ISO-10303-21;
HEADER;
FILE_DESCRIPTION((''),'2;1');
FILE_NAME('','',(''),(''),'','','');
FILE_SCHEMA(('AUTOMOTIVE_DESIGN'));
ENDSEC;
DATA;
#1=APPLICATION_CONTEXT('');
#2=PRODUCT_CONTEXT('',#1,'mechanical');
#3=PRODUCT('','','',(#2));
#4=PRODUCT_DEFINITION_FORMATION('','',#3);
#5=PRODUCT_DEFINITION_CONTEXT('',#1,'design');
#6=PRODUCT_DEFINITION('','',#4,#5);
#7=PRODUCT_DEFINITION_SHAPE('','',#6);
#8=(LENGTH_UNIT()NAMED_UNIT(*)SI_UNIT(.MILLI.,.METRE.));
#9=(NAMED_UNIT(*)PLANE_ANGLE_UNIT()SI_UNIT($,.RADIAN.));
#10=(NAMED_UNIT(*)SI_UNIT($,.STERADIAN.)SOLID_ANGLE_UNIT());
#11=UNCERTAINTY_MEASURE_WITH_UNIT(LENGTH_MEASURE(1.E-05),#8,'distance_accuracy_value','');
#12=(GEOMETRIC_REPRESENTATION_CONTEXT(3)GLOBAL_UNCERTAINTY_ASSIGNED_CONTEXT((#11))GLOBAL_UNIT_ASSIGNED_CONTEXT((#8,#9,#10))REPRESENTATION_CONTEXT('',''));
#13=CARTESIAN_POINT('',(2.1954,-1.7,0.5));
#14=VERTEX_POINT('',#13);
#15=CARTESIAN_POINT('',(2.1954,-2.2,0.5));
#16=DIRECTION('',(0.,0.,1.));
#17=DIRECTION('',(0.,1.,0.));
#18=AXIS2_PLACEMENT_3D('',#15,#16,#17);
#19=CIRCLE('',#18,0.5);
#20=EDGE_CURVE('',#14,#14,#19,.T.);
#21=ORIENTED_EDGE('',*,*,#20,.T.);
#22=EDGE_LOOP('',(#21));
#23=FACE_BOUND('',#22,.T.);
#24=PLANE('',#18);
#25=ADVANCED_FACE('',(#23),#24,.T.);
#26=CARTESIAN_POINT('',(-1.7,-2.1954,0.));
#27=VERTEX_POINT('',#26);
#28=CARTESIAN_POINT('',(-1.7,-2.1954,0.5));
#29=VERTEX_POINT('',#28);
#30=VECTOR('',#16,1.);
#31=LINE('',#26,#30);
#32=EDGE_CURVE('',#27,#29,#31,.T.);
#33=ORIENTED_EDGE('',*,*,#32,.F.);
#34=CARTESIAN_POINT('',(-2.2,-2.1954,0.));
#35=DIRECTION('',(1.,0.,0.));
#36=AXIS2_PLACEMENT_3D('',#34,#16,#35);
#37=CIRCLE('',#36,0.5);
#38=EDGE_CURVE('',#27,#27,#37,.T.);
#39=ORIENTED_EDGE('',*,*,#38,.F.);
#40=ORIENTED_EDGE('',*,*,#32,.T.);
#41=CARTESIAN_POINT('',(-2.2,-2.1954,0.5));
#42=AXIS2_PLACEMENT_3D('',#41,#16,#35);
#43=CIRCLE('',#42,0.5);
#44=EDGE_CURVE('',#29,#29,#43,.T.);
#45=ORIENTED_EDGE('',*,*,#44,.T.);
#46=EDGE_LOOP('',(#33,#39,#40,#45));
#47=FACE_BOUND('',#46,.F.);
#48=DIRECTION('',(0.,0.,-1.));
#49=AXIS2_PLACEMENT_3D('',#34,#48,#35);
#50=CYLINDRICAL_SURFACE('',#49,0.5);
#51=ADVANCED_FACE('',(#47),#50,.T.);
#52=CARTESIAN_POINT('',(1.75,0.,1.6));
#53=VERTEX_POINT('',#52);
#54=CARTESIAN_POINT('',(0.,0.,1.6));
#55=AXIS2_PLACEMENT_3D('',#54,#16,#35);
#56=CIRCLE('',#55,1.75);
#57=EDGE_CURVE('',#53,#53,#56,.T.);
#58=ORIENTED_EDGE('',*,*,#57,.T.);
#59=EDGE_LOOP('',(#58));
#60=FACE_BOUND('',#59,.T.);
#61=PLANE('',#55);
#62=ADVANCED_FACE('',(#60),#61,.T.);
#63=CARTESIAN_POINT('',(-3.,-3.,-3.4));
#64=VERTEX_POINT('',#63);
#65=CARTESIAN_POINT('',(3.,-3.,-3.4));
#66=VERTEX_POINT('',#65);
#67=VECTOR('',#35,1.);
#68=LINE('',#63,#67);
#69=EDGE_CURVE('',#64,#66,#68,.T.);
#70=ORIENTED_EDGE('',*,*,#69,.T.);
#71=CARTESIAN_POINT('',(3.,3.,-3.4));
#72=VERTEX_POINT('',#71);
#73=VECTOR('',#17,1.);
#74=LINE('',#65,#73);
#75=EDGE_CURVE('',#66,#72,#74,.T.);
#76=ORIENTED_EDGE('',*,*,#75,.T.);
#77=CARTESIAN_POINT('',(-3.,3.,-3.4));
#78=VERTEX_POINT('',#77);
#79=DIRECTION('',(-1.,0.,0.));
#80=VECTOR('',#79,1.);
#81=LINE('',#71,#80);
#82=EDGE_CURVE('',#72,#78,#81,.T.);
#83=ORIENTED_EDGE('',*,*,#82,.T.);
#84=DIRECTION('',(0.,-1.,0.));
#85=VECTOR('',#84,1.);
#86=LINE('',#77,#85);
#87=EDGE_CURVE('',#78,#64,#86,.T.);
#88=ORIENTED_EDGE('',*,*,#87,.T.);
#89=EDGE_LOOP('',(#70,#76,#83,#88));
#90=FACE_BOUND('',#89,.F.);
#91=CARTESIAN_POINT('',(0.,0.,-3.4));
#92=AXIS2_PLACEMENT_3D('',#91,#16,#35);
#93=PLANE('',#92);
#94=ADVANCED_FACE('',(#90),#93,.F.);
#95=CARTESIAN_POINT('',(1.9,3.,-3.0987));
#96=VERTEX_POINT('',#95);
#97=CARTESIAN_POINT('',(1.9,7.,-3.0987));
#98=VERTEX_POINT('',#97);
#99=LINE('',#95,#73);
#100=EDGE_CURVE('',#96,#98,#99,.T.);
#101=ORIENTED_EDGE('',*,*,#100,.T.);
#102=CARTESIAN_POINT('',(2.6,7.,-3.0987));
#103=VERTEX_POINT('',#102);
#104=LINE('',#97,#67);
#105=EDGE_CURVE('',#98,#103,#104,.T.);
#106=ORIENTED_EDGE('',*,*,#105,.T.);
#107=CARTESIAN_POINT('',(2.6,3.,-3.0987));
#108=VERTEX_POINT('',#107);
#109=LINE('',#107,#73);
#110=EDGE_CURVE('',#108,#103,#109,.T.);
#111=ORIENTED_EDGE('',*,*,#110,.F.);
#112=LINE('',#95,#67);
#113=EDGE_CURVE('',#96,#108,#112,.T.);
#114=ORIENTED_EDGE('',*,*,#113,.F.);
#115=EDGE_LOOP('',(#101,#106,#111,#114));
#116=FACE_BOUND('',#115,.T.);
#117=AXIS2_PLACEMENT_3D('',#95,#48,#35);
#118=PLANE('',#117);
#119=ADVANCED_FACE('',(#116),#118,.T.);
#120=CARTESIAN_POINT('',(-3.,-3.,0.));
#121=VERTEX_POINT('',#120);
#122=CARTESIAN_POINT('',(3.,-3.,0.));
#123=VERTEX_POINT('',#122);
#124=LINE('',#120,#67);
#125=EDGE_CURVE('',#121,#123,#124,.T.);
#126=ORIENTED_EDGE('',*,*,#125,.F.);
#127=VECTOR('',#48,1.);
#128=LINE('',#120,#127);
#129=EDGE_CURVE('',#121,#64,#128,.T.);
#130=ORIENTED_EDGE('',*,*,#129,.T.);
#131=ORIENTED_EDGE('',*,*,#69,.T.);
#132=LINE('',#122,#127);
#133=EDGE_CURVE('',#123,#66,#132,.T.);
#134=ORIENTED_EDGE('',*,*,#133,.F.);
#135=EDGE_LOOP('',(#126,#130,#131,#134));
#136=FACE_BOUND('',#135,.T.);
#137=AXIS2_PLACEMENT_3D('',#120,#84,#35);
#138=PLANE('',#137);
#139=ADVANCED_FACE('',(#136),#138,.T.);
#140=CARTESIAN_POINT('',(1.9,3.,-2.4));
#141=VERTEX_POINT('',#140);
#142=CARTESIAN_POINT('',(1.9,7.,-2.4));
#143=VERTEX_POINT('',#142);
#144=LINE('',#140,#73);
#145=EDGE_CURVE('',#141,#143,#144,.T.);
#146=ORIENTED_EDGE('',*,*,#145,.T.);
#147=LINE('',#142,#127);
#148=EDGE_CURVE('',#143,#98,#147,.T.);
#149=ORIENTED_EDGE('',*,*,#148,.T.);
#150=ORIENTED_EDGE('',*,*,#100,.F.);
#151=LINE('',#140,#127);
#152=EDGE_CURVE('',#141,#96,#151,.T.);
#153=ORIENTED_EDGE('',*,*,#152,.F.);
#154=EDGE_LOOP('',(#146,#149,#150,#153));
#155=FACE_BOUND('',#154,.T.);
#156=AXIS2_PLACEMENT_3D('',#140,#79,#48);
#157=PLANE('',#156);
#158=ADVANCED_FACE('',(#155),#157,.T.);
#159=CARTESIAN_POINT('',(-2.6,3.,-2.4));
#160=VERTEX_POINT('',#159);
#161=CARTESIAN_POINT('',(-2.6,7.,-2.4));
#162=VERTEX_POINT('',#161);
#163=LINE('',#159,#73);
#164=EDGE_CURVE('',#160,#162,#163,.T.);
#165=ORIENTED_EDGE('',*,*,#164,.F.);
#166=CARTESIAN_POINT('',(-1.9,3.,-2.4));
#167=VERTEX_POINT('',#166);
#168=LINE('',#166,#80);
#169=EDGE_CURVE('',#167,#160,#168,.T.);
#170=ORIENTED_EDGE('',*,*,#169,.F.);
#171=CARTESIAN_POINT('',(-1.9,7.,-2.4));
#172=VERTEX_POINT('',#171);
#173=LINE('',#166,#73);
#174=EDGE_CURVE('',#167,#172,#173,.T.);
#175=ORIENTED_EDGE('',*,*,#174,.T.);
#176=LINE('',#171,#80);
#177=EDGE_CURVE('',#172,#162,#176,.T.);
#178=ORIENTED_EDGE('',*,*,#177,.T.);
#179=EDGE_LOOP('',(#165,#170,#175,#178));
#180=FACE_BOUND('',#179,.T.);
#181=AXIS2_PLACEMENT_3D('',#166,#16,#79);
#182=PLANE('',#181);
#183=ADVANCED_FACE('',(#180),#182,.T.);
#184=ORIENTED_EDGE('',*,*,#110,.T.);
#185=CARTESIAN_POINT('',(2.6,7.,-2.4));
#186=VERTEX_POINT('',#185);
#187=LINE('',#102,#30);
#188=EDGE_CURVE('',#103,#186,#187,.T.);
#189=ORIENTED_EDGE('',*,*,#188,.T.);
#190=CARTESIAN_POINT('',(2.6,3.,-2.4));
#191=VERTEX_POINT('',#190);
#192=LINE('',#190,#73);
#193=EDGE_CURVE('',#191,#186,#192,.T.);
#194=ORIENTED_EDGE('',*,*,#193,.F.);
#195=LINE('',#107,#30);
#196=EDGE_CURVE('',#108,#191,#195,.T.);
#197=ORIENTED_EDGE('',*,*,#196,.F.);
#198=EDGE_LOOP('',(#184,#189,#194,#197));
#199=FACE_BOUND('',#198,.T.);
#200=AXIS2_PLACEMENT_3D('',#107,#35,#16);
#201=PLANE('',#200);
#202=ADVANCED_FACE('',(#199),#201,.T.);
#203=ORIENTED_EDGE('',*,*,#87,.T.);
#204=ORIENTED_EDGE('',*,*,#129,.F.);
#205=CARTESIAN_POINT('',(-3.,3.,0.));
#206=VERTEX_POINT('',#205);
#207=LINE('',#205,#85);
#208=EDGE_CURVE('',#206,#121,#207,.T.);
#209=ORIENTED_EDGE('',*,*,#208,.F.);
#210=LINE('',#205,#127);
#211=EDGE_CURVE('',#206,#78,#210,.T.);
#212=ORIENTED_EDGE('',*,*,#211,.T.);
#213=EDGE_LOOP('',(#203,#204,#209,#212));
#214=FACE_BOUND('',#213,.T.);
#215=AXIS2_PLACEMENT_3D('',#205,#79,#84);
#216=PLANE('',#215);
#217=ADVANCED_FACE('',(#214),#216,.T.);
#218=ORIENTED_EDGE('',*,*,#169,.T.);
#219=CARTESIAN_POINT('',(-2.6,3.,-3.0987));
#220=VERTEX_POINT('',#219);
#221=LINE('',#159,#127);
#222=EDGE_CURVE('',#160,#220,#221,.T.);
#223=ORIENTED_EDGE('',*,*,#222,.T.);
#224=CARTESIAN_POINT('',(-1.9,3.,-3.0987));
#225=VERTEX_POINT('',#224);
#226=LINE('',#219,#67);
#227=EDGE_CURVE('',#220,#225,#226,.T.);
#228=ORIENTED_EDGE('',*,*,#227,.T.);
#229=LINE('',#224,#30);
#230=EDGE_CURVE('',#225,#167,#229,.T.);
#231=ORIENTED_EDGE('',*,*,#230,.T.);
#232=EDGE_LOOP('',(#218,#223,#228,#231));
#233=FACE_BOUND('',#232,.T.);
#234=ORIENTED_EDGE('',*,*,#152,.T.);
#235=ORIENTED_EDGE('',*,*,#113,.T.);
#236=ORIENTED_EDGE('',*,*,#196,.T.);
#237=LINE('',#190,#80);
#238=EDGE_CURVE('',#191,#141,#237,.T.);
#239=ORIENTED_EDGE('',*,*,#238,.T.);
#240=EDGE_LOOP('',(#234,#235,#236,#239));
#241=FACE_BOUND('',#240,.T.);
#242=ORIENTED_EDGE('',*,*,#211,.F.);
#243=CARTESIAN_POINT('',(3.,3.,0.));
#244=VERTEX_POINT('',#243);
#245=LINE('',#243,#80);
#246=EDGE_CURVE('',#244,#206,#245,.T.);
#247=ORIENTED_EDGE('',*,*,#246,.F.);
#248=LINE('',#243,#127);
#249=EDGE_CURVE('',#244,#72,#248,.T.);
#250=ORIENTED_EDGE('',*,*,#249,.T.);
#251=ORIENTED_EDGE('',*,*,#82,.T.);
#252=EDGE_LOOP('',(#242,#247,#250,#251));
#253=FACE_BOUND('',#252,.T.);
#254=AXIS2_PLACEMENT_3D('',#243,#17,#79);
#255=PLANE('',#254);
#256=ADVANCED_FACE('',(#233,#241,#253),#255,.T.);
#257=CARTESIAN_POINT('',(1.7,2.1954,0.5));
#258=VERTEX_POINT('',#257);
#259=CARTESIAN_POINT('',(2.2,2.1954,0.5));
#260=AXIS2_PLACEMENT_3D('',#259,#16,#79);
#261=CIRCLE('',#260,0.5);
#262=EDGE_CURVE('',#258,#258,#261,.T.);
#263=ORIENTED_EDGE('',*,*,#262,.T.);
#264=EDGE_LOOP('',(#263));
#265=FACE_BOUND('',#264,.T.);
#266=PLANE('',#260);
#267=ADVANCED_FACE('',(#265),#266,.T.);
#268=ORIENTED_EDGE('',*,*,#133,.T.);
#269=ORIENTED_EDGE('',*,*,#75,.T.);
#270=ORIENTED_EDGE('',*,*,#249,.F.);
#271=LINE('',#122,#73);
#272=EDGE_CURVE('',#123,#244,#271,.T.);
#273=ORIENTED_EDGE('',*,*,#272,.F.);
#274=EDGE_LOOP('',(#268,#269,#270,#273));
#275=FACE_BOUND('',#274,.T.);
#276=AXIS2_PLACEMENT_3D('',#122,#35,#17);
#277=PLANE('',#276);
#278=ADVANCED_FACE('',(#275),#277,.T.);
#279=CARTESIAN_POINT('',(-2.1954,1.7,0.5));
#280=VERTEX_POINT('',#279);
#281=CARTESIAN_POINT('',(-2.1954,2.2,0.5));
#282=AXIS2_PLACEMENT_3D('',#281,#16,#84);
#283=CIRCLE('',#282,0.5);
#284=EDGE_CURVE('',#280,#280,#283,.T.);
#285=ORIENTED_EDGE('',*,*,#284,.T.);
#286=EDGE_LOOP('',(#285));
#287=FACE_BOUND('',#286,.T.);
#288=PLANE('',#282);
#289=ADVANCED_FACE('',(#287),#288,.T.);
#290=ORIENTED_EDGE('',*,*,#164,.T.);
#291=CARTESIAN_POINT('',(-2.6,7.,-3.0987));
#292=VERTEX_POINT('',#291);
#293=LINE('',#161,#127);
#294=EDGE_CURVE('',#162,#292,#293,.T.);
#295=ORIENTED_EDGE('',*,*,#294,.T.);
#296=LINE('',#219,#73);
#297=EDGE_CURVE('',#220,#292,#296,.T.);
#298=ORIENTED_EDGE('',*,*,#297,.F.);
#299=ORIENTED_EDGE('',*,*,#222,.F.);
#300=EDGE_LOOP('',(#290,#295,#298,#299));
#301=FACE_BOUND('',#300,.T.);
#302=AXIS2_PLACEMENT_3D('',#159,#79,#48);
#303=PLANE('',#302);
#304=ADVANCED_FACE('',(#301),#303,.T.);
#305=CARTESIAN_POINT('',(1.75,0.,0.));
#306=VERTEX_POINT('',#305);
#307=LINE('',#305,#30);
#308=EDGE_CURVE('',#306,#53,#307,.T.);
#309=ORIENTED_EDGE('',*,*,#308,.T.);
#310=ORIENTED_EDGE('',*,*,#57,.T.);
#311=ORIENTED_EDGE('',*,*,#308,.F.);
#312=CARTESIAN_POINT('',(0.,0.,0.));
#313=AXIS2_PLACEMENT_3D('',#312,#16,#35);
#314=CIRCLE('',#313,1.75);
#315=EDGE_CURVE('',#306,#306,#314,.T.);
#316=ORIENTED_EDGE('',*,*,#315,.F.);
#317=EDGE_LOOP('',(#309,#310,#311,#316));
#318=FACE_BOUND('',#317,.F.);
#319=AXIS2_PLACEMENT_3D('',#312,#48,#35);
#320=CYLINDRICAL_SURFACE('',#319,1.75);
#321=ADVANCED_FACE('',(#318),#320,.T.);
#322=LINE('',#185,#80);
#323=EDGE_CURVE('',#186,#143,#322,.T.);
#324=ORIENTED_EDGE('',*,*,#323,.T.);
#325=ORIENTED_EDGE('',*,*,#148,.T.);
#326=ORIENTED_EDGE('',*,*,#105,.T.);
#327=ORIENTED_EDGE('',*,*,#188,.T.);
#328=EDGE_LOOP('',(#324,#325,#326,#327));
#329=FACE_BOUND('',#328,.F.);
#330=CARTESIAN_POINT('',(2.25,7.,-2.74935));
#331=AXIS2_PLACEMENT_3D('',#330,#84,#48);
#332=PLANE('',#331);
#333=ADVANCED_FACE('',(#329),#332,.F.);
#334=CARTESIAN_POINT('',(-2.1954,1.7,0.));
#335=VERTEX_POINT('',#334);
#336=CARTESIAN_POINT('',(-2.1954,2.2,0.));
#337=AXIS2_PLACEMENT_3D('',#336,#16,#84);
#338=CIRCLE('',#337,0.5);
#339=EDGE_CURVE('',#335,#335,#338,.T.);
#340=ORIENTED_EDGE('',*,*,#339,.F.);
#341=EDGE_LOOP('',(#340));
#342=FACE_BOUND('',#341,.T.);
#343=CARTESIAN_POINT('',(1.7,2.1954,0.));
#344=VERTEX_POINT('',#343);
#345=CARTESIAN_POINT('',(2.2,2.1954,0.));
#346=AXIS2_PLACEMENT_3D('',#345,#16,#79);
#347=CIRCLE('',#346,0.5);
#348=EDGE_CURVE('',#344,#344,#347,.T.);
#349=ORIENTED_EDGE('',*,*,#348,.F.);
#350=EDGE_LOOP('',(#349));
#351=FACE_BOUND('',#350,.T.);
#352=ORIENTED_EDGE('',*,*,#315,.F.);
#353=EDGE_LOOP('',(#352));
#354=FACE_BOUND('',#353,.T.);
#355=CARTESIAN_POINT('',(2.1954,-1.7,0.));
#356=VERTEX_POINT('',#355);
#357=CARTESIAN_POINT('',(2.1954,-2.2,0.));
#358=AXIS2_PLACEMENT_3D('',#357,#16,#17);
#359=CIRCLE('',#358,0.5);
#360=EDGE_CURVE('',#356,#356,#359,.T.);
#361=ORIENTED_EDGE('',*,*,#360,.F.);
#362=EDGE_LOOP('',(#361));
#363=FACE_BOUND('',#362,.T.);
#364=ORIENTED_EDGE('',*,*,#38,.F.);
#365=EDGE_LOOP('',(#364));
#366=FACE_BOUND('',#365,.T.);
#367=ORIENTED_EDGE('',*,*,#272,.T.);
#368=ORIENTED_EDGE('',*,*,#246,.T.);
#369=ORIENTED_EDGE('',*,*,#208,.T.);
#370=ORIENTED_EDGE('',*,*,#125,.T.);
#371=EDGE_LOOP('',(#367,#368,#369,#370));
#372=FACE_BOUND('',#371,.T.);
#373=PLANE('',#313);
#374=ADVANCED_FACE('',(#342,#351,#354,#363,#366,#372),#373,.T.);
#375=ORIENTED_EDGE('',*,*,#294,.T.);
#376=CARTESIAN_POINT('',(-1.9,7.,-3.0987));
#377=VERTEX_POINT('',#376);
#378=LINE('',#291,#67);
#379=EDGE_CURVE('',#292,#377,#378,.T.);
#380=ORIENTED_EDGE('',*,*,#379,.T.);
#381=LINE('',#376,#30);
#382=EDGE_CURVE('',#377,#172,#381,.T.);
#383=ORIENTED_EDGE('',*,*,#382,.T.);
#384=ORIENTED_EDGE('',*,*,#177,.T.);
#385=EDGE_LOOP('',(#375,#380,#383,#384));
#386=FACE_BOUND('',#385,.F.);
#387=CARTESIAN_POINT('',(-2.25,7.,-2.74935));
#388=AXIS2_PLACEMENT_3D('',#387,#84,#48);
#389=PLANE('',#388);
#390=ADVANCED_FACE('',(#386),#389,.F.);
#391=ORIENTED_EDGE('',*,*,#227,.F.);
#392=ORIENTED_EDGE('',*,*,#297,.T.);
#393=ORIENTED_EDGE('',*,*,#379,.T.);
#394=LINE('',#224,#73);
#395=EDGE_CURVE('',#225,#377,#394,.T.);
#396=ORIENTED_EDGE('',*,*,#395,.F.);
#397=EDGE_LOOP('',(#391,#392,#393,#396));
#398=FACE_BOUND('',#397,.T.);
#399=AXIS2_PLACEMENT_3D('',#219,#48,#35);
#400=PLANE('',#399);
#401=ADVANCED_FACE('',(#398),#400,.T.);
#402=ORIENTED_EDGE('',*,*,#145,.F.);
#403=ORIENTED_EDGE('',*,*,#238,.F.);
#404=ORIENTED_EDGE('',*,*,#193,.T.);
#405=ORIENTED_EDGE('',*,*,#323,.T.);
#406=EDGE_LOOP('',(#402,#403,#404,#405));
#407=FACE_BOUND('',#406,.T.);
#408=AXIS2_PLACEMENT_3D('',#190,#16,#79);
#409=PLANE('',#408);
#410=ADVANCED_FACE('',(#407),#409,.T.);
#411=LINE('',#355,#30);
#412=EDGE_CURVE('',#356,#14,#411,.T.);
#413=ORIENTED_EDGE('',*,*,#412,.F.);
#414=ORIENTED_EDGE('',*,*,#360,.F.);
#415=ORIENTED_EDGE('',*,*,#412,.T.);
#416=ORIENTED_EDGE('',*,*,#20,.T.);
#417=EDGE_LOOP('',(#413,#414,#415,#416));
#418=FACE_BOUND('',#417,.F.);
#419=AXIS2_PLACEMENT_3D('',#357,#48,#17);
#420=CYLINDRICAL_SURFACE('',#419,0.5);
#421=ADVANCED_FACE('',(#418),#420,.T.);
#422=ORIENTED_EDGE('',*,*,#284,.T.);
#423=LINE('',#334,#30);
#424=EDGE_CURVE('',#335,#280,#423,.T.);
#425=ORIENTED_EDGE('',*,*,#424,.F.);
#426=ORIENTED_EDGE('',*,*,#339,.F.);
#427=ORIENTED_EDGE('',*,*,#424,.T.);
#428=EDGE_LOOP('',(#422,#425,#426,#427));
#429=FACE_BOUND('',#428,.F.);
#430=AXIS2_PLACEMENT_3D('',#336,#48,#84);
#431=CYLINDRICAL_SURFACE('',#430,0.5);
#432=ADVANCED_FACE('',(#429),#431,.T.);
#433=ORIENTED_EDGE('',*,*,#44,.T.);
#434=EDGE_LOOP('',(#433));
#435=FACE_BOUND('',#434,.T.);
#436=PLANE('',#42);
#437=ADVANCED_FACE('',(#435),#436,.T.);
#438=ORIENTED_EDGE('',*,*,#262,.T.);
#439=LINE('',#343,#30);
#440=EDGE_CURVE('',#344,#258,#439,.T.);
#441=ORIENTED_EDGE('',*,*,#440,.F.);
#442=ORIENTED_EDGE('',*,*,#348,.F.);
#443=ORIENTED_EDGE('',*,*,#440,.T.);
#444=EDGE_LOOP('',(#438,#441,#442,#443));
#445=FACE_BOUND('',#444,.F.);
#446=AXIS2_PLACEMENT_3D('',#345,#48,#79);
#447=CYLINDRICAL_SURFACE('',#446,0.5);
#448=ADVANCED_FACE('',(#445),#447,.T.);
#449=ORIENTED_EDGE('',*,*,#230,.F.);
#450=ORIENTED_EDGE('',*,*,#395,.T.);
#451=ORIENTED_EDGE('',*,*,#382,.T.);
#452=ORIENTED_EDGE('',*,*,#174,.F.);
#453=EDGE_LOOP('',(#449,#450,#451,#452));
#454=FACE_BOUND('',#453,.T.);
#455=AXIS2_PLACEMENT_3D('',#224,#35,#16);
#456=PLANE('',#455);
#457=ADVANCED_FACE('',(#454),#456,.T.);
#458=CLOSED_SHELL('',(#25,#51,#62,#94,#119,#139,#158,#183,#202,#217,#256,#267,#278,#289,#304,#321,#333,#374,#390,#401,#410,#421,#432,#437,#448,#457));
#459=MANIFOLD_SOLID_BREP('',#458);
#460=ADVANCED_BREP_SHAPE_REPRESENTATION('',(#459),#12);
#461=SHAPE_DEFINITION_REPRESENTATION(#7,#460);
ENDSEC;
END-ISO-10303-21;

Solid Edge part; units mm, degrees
sketch "Sketch1" plane through (0, 0, 0) normal (0, 0, 1) x (1, 0, 0)
  line L0 (-3, -3) -> (3, -3)
  line L1 (3, -3) -> (3, 3)
  line L2 (3, 3) -> (-3, 3)
  line L3 (-3, 3) -> (-3, -3)
extrude "Protrusion1" add sketch "Sketch1" against normal blind 3.4
sketch "Sketch2" plane through (0, 0, 0) normal (0, 0, 1) x (1, 0, 0)
  circle A0 centre (0, 0) radius 1.75
extrude "ExtrudedProtrusion_2" add sketch "Sketch2" along normal blind 1.6
sketch "Sketch3" plane through (0, 0, 0) normal (0, 0, 1) x (1, 0, 0)
  circle A0 centre (-2.2, -2.1954) radius 0.5
extrude "ExtrudedProtrusion_3" add sketch "Sketch3" along normal blind 0.5
pattern_circular "Pattern1" count 4 over 360 about axis through (0, 0, 0) along (0, 0, -1) of "ExtrudedProtrusion_3"
extrude "ExtrudedProtrusion_4" [suppressed]
sketch "Sketch4" plane through (0, 3, -1.7) normal (0, 1, 0) x (0, 0, -1)
  line L0 (0.7, -1.9) -> (1.3987, -1.9)
  line L1 (1.3987, -1.9) -> (1.3987, -2.6)
  line L2 (1.3987, -2.6) -> (0.7, -2.6)
  line L3 (0.7, -2.6) -> (0.7, -1.9)
  line L4 (0.7, 2.6) -> (1.3987, 2.6)
  line L5 (1.3987, 2.6) -> (1.3987, 1.9)
  line L6 (1.3987, 1.9) -> (0.7, 1.9)
  line L7 (0.7, 1.9) -> (0.7, 2.6)
extrude "ExtrudedProtrusion_5" add sketch "Sketch4" along normal blind 4
